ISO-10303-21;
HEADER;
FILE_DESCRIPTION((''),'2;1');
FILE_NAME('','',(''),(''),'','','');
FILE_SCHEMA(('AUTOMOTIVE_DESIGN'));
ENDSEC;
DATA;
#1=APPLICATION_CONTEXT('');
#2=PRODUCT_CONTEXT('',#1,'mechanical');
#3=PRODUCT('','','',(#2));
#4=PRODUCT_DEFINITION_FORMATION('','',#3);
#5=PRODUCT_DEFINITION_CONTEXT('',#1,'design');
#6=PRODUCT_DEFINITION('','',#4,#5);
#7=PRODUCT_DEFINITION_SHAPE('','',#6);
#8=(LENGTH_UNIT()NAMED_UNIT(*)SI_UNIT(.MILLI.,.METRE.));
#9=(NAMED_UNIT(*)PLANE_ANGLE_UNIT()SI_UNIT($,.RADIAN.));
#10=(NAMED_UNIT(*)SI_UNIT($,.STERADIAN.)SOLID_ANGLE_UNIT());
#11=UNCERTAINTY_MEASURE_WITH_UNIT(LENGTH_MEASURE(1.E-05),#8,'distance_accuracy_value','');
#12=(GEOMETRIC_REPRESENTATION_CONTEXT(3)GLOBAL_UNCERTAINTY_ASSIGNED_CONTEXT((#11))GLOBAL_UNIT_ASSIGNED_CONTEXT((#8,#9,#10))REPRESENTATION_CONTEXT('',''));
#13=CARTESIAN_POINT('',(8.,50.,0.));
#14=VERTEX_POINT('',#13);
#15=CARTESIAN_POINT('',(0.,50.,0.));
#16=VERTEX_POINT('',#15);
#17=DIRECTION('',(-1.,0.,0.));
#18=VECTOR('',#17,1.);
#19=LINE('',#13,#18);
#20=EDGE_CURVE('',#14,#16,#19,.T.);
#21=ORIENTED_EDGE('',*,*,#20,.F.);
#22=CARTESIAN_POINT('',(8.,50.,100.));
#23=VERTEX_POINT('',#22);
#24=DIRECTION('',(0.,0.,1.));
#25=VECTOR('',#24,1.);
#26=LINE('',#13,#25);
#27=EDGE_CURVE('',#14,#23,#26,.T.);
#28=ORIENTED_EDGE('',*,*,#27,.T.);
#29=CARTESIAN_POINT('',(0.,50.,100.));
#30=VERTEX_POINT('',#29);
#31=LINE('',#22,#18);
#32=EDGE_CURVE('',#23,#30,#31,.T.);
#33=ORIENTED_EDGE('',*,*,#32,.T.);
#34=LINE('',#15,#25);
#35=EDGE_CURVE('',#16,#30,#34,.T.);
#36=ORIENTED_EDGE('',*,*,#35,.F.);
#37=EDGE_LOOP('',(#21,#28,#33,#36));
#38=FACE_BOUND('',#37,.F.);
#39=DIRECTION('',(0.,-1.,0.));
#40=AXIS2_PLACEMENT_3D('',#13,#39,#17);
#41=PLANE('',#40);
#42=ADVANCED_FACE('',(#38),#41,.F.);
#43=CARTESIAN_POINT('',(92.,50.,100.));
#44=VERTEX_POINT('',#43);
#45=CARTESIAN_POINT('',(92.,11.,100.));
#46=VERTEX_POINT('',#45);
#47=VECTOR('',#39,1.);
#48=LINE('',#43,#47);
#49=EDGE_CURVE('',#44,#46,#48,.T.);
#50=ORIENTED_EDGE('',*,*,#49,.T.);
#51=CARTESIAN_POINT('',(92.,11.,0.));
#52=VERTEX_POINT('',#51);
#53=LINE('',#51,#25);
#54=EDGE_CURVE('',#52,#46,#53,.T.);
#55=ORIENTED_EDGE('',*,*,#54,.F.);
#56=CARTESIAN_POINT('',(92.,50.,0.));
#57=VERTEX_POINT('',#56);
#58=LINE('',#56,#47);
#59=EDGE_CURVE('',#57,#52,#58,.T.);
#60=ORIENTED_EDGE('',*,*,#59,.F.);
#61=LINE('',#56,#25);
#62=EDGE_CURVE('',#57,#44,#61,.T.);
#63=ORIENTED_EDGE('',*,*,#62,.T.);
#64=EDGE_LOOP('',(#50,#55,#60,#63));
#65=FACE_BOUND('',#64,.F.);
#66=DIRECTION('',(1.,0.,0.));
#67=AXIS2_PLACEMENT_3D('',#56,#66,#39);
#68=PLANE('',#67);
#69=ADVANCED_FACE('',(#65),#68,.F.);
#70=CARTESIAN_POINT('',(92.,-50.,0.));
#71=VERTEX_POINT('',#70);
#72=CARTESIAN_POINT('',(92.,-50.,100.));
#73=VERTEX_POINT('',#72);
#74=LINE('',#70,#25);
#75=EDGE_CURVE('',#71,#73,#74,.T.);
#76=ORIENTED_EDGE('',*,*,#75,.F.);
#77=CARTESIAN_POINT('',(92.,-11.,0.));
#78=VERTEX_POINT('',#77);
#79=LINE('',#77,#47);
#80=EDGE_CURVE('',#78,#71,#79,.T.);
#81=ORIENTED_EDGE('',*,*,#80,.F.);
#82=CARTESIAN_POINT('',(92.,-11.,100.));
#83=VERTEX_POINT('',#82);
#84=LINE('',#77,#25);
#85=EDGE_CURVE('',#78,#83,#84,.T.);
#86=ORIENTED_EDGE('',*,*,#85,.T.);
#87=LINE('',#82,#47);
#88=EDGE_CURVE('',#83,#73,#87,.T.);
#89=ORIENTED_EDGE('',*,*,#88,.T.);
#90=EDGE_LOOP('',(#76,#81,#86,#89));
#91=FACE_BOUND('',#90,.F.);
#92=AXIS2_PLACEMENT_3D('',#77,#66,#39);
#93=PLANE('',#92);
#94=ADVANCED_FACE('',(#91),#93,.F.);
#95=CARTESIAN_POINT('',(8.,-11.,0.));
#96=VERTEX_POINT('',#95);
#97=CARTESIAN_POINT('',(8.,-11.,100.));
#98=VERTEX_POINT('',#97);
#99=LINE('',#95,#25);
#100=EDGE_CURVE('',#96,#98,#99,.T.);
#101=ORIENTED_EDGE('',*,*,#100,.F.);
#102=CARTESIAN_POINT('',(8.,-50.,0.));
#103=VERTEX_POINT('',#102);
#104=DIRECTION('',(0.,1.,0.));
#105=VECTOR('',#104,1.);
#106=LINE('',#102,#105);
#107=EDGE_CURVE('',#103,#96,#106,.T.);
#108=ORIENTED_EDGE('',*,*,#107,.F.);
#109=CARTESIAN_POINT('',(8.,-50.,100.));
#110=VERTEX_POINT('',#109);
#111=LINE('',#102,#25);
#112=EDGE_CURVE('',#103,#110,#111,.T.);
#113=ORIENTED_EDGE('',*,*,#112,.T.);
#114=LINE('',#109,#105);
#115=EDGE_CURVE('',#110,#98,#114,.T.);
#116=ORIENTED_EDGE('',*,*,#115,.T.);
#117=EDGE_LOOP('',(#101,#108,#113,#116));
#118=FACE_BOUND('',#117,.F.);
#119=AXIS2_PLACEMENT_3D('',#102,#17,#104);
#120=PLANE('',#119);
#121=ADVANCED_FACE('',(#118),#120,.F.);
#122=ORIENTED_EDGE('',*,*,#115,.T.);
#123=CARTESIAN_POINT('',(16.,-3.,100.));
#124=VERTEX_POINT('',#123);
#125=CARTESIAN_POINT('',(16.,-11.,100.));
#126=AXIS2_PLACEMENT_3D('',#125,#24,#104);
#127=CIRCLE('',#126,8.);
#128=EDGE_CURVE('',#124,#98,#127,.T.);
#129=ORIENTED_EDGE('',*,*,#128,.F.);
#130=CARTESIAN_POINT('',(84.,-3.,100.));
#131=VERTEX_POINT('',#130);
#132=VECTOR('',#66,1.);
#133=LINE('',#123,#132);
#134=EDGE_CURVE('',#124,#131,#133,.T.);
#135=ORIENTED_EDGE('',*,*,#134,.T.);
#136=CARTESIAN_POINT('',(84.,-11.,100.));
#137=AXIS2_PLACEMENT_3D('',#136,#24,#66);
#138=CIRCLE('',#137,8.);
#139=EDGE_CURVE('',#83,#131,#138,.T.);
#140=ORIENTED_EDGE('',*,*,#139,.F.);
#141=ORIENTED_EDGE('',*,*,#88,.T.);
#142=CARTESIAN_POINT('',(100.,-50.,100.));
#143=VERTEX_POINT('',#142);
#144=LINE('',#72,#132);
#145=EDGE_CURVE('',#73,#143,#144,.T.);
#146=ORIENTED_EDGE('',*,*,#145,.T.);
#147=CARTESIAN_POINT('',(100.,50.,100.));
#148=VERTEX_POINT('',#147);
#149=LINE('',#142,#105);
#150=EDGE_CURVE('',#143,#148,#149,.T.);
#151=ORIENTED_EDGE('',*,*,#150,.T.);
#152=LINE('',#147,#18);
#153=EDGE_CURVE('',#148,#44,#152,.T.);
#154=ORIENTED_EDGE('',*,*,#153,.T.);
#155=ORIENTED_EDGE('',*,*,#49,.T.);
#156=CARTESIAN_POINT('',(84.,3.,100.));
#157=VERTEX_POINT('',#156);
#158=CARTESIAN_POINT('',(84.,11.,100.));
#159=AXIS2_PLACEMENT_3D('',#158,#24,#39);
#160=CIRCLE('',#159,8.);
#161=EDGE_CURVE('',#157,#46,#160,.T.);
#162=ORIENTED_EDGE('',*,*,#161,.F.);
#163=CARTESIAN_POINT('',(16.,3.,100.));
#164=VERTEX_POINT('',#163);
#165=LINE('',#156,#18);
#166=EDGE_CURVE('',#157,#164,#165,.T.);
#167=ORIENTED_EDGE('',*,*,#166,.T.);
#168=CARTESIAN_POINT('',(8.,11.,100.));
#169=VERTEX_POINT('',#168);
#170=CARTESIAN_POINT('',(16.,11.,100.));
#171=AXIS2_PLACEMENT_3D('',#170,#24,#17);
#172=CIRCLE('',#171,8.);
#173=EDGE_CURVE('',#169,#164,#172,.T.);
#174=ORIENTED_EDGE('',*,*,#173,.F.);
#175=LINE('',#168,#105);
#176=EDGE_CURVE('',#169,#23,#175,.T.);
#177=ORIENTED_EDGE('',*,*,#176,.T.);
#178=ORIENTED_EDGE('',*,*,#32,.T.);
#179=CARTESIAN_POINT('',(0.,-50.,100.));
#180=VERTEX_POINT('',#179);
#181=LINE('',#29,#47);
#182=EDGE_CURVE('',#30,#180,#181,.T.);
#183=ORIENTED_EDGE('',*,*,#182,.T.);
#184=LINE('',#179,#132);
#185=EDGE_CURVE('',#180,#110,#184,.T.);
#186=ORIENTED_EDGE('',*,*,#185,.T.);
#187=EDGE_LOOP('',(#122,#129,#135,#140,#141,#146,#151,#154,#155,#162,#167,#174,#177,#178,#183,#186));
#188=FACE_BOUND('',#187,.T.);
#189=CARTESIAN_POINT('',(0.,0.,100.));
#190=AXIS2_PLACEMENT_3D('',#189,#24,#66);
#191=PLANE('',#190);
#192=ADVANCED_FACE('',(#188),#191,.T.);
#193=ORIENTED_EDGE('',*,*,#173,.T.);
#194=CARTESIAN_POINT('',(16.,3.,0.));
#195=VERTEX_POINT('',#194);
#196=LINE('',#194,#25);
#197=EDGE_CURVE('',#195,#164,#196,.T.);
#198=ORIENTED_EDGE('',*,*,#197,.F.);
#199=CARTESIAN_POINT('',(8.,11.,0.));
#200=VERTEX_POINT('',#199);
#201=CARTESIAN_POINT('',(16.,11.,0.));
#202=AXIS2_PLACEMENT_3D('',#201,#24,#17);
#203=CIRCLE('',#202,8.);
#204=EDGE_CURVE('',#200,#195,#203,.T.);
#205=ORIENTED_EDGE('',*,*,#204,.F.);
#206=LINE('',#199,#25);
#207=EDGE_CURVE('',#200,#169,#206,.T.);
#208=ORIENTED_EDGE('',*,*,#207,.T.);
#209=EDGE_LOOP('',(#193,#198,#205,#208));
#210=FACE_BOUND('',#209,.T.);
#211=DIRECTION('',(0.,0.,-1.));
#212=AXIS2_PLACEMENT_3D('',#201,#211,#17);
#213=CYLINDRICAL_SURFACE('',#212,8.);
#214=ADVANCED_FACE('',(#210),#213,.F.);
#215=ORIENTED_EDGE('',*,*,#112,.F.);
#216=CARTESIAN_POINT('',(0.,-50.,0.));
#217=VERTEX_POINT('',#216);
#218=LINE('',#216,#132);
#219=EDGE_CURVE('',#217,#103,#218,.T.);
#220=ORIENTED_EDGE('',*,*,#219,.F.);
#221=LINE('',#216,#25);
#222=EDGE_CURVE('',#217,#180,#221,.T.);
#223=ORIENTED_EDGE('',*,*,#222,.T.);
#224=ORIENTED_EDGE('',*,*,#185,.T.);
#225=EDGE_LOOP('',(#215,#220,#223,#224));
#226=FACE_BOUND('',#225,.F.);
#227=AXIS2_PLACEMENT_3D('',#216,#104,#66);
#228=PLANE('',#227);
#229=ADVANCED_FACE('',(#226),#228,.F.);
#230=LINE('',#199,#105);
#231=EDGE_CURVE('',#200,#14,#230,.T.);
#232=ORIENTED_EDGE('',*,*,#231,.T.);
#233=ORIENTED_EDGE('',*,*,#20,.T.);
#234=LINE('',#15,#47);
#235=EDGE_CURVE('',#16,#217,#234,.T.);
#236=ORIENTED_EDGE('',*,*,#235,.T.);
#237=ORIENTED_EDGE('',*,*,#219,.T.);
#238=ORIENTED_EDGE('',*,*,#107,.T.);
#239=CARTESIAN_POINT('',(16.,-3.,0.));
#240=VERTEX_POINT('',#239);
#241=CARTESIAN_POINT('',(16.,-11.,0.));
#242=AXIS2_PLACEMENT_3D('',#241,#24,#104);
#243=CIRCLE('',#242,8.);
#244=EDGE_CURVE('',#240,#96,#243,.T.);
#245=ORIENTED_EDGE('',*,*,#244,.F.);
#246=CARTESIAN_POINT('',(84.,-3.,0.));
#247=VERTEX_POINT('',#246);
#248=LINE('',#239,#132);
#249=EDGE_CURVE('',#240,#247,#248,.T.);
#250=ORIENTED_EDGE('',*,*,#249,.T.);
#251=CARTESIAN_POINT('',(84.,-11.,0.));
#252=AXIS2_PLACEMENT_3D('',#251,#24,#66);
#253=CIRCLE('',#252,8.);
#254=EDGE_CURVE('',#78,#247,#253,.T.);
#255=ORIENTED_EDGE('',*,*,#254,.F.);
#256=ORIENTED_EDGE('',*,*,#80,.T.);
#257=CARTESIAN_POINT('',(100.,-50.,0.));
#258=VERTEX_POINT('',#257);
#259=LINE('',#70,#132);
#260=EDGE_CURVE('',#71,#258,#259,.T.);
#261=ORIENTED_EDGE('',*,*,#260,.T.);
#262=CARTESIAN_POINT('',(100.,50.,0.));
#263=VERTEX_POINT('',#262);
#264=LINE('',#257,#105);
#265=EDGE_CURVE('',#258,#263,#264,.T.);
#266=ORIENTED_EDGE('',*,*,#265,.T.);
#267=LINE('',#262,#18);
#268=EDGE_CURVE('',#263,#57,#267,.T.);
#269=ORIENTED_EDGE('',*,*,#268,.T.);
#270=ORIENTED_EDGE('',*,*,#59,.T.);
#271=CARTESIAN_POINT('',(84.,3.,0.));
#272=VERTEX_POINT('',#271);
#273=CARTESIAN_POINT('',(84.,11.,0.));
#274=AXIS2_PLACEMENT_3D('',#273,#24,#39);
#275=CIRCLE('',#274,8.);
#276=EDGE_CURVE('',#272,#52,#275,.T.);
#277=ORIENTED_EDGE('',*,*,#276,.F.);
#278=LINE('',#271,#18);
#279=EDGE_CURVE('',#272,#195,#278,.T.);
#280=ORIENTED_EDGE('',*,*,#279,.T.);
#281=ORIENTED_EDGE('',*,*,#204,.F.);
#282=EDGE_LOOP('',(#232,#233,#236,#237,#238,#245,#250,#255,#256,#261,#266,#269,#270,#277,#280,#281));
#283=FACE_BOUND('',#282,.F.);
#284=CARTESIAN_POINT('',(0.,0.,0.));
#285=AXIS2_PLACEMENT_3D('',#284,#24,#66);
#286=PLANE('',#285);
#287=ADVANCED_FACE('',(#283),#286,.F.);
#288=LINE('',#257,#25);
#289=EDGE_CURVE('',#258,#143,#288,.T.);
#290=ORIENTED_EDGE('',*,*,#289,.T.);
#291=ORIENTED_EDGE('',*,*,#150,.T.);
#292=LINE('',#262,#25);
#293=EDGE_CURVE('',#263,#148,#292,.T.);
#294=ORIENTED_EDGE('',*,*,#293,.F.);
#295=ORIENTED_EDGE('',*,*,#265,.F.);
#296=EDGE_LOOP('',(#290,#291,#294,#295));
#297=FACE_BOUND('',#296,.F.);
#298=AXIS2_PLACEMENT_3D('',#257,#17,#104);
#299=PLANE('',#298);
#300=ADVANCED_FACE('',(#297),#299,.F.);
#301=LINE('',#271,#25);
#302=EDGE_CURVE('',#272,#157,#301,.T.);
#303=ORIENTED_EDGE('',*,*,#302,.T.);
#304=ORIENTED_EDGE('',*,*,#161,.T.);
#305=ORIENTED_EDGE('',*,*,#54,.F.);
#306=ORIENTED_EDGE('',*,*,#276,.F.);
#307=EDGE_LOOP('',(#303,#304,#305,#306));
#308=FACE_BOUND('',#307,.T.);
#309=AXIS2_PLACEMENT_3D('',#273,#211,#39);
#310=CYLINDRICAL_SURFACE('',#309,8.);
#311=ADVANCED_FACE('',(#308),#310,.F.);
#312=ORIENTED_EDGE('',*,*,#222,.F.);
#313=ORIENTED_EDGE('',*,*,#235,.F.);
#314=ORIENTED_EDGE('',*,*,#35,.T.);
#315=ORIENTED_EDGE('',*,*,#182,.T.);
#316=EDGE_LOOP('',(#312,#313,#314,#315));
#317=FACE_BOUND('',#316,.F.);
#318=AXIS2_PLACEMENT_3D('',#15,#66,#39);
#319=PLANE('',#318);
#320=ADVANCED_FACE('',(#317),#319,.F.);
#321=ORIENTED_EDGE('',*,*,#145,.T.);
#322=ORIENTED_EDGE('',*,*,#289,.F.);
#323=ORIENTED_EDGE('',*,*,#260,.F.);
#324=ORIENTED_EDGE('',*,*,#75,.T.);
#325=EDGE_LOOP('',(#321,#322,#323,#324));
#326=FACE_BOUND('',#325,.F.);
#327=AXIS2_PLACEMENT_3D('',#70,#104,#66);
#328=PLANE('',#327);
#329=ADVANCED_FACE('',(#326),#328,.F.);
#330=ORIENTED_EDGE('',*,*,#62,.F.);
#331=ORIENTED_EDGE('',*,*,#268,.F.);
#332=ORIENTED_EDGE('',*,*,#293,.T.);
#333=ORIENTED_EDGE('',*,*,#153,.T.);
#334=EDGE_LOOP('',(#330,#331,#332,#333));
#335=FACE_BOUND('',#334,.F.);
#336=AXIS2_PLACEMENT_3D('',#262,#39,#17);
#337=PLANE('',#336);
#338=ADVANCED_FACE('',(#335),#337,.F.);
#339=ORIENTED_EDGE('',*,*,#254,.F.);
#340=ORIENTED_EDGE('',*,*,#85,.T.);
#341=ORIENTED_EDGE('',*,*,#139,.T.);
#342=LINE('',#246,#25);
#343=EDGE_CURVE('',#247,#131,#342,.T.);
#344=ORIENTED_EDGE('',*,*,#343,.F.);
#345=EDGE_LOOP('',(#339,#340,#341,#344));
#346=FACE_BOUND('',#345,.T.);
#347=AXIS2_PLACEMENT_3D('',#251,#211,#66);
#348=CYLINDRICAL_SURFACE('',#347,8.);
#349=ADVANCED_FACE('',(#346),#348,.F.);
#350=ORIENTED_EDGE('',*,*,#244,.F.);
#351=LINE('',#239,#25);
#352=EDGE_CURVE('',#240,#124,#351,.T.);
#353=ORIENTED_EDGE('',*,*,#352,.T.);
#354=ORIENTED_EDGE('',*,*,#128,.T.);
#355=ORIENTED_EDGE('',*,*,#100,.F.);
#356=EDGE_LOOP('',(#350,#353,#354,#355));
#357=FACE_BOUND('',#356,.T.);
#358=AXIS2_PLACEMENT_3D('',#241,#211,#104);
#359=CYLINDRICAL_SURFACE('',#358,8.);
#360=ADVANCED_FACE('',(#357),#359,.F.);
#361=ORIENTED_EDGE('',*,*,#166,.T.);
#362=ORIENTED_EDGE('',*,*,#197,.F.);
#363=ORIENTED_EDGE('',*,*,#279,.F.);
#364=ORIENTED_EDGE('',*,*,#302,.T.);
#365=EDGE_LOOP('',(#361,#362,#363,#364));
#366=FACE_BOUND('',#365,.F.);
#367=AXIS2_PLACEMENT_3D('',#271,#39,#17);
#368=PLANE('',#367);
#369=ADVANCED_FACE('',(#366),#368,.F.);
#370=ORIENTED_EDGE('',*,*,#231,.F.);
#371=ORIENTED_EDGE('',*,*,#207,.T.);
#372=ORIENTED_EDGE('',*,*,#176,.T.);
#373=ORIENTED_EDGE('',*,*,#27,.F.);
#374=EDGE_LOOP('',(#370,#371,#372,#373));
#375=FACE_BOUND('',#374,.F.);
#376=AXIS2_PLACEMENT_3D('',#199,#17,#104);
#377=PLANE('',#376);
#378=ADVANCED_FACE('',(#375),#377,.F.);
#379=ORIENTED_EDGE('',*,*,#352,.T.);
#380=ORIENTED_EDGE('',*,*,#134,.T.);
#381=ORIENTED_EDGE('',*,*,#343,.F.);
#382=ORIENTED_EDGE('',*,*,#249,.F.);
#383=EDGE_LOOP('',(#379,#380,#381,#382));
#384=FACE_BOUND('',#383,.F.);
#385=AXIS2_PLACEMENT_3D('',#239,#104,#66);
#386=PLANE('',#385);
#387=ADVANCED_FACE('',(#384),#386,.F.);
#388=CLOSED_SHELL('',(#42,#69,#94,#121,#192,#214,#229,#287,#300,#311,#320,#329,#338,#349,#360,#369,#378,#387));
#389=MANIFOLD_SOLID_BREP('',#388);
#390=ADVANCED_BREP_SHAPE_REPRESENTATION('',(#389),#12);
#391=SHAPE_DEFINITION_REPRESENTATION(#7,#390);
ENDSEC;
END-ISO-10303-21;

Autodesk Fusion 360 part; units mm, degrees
sketch "スケッチ1" plane through (0, 0, 0) normal (0, 0, 1) x (1, 0, 0)
  line L0 (0, 50) -> (0, -50)
  line L1 (100, -50) -> (100, 50)
  line L2 (8, -50) -> (8, -11)
  line L3 (0, -50) -> (8, -50)
  line L4 (92, -11) -> (92, -50)
  line L5 (92, -50) -> (100, -50)
  line L6 (84, 3) -> (16, 3)
  line L7 (16, -3) -> (84, -3)
  line L8 (8, 11) -> (8, 50)
  line L9 (8, 50) -> (0, 50)
  line L10 (92, 50) -> (92, 11)
  line L11 (100, 50) -> (92, 50)
  arc A0 (16, -3) -> (8, -11) centre (16, -11) ccw
  arc A1 (8, 11) -> (16, 3) centre (16, 11) ccw
  arc A2 (84, 3) -> (92, 11) centre (84, 11) ccw
  arc A3 (92, -11) -> (84, -3) centre (84, -11) ccw
extrude "押し出し1" add sketch "スケッチ1" along normal blind 100
